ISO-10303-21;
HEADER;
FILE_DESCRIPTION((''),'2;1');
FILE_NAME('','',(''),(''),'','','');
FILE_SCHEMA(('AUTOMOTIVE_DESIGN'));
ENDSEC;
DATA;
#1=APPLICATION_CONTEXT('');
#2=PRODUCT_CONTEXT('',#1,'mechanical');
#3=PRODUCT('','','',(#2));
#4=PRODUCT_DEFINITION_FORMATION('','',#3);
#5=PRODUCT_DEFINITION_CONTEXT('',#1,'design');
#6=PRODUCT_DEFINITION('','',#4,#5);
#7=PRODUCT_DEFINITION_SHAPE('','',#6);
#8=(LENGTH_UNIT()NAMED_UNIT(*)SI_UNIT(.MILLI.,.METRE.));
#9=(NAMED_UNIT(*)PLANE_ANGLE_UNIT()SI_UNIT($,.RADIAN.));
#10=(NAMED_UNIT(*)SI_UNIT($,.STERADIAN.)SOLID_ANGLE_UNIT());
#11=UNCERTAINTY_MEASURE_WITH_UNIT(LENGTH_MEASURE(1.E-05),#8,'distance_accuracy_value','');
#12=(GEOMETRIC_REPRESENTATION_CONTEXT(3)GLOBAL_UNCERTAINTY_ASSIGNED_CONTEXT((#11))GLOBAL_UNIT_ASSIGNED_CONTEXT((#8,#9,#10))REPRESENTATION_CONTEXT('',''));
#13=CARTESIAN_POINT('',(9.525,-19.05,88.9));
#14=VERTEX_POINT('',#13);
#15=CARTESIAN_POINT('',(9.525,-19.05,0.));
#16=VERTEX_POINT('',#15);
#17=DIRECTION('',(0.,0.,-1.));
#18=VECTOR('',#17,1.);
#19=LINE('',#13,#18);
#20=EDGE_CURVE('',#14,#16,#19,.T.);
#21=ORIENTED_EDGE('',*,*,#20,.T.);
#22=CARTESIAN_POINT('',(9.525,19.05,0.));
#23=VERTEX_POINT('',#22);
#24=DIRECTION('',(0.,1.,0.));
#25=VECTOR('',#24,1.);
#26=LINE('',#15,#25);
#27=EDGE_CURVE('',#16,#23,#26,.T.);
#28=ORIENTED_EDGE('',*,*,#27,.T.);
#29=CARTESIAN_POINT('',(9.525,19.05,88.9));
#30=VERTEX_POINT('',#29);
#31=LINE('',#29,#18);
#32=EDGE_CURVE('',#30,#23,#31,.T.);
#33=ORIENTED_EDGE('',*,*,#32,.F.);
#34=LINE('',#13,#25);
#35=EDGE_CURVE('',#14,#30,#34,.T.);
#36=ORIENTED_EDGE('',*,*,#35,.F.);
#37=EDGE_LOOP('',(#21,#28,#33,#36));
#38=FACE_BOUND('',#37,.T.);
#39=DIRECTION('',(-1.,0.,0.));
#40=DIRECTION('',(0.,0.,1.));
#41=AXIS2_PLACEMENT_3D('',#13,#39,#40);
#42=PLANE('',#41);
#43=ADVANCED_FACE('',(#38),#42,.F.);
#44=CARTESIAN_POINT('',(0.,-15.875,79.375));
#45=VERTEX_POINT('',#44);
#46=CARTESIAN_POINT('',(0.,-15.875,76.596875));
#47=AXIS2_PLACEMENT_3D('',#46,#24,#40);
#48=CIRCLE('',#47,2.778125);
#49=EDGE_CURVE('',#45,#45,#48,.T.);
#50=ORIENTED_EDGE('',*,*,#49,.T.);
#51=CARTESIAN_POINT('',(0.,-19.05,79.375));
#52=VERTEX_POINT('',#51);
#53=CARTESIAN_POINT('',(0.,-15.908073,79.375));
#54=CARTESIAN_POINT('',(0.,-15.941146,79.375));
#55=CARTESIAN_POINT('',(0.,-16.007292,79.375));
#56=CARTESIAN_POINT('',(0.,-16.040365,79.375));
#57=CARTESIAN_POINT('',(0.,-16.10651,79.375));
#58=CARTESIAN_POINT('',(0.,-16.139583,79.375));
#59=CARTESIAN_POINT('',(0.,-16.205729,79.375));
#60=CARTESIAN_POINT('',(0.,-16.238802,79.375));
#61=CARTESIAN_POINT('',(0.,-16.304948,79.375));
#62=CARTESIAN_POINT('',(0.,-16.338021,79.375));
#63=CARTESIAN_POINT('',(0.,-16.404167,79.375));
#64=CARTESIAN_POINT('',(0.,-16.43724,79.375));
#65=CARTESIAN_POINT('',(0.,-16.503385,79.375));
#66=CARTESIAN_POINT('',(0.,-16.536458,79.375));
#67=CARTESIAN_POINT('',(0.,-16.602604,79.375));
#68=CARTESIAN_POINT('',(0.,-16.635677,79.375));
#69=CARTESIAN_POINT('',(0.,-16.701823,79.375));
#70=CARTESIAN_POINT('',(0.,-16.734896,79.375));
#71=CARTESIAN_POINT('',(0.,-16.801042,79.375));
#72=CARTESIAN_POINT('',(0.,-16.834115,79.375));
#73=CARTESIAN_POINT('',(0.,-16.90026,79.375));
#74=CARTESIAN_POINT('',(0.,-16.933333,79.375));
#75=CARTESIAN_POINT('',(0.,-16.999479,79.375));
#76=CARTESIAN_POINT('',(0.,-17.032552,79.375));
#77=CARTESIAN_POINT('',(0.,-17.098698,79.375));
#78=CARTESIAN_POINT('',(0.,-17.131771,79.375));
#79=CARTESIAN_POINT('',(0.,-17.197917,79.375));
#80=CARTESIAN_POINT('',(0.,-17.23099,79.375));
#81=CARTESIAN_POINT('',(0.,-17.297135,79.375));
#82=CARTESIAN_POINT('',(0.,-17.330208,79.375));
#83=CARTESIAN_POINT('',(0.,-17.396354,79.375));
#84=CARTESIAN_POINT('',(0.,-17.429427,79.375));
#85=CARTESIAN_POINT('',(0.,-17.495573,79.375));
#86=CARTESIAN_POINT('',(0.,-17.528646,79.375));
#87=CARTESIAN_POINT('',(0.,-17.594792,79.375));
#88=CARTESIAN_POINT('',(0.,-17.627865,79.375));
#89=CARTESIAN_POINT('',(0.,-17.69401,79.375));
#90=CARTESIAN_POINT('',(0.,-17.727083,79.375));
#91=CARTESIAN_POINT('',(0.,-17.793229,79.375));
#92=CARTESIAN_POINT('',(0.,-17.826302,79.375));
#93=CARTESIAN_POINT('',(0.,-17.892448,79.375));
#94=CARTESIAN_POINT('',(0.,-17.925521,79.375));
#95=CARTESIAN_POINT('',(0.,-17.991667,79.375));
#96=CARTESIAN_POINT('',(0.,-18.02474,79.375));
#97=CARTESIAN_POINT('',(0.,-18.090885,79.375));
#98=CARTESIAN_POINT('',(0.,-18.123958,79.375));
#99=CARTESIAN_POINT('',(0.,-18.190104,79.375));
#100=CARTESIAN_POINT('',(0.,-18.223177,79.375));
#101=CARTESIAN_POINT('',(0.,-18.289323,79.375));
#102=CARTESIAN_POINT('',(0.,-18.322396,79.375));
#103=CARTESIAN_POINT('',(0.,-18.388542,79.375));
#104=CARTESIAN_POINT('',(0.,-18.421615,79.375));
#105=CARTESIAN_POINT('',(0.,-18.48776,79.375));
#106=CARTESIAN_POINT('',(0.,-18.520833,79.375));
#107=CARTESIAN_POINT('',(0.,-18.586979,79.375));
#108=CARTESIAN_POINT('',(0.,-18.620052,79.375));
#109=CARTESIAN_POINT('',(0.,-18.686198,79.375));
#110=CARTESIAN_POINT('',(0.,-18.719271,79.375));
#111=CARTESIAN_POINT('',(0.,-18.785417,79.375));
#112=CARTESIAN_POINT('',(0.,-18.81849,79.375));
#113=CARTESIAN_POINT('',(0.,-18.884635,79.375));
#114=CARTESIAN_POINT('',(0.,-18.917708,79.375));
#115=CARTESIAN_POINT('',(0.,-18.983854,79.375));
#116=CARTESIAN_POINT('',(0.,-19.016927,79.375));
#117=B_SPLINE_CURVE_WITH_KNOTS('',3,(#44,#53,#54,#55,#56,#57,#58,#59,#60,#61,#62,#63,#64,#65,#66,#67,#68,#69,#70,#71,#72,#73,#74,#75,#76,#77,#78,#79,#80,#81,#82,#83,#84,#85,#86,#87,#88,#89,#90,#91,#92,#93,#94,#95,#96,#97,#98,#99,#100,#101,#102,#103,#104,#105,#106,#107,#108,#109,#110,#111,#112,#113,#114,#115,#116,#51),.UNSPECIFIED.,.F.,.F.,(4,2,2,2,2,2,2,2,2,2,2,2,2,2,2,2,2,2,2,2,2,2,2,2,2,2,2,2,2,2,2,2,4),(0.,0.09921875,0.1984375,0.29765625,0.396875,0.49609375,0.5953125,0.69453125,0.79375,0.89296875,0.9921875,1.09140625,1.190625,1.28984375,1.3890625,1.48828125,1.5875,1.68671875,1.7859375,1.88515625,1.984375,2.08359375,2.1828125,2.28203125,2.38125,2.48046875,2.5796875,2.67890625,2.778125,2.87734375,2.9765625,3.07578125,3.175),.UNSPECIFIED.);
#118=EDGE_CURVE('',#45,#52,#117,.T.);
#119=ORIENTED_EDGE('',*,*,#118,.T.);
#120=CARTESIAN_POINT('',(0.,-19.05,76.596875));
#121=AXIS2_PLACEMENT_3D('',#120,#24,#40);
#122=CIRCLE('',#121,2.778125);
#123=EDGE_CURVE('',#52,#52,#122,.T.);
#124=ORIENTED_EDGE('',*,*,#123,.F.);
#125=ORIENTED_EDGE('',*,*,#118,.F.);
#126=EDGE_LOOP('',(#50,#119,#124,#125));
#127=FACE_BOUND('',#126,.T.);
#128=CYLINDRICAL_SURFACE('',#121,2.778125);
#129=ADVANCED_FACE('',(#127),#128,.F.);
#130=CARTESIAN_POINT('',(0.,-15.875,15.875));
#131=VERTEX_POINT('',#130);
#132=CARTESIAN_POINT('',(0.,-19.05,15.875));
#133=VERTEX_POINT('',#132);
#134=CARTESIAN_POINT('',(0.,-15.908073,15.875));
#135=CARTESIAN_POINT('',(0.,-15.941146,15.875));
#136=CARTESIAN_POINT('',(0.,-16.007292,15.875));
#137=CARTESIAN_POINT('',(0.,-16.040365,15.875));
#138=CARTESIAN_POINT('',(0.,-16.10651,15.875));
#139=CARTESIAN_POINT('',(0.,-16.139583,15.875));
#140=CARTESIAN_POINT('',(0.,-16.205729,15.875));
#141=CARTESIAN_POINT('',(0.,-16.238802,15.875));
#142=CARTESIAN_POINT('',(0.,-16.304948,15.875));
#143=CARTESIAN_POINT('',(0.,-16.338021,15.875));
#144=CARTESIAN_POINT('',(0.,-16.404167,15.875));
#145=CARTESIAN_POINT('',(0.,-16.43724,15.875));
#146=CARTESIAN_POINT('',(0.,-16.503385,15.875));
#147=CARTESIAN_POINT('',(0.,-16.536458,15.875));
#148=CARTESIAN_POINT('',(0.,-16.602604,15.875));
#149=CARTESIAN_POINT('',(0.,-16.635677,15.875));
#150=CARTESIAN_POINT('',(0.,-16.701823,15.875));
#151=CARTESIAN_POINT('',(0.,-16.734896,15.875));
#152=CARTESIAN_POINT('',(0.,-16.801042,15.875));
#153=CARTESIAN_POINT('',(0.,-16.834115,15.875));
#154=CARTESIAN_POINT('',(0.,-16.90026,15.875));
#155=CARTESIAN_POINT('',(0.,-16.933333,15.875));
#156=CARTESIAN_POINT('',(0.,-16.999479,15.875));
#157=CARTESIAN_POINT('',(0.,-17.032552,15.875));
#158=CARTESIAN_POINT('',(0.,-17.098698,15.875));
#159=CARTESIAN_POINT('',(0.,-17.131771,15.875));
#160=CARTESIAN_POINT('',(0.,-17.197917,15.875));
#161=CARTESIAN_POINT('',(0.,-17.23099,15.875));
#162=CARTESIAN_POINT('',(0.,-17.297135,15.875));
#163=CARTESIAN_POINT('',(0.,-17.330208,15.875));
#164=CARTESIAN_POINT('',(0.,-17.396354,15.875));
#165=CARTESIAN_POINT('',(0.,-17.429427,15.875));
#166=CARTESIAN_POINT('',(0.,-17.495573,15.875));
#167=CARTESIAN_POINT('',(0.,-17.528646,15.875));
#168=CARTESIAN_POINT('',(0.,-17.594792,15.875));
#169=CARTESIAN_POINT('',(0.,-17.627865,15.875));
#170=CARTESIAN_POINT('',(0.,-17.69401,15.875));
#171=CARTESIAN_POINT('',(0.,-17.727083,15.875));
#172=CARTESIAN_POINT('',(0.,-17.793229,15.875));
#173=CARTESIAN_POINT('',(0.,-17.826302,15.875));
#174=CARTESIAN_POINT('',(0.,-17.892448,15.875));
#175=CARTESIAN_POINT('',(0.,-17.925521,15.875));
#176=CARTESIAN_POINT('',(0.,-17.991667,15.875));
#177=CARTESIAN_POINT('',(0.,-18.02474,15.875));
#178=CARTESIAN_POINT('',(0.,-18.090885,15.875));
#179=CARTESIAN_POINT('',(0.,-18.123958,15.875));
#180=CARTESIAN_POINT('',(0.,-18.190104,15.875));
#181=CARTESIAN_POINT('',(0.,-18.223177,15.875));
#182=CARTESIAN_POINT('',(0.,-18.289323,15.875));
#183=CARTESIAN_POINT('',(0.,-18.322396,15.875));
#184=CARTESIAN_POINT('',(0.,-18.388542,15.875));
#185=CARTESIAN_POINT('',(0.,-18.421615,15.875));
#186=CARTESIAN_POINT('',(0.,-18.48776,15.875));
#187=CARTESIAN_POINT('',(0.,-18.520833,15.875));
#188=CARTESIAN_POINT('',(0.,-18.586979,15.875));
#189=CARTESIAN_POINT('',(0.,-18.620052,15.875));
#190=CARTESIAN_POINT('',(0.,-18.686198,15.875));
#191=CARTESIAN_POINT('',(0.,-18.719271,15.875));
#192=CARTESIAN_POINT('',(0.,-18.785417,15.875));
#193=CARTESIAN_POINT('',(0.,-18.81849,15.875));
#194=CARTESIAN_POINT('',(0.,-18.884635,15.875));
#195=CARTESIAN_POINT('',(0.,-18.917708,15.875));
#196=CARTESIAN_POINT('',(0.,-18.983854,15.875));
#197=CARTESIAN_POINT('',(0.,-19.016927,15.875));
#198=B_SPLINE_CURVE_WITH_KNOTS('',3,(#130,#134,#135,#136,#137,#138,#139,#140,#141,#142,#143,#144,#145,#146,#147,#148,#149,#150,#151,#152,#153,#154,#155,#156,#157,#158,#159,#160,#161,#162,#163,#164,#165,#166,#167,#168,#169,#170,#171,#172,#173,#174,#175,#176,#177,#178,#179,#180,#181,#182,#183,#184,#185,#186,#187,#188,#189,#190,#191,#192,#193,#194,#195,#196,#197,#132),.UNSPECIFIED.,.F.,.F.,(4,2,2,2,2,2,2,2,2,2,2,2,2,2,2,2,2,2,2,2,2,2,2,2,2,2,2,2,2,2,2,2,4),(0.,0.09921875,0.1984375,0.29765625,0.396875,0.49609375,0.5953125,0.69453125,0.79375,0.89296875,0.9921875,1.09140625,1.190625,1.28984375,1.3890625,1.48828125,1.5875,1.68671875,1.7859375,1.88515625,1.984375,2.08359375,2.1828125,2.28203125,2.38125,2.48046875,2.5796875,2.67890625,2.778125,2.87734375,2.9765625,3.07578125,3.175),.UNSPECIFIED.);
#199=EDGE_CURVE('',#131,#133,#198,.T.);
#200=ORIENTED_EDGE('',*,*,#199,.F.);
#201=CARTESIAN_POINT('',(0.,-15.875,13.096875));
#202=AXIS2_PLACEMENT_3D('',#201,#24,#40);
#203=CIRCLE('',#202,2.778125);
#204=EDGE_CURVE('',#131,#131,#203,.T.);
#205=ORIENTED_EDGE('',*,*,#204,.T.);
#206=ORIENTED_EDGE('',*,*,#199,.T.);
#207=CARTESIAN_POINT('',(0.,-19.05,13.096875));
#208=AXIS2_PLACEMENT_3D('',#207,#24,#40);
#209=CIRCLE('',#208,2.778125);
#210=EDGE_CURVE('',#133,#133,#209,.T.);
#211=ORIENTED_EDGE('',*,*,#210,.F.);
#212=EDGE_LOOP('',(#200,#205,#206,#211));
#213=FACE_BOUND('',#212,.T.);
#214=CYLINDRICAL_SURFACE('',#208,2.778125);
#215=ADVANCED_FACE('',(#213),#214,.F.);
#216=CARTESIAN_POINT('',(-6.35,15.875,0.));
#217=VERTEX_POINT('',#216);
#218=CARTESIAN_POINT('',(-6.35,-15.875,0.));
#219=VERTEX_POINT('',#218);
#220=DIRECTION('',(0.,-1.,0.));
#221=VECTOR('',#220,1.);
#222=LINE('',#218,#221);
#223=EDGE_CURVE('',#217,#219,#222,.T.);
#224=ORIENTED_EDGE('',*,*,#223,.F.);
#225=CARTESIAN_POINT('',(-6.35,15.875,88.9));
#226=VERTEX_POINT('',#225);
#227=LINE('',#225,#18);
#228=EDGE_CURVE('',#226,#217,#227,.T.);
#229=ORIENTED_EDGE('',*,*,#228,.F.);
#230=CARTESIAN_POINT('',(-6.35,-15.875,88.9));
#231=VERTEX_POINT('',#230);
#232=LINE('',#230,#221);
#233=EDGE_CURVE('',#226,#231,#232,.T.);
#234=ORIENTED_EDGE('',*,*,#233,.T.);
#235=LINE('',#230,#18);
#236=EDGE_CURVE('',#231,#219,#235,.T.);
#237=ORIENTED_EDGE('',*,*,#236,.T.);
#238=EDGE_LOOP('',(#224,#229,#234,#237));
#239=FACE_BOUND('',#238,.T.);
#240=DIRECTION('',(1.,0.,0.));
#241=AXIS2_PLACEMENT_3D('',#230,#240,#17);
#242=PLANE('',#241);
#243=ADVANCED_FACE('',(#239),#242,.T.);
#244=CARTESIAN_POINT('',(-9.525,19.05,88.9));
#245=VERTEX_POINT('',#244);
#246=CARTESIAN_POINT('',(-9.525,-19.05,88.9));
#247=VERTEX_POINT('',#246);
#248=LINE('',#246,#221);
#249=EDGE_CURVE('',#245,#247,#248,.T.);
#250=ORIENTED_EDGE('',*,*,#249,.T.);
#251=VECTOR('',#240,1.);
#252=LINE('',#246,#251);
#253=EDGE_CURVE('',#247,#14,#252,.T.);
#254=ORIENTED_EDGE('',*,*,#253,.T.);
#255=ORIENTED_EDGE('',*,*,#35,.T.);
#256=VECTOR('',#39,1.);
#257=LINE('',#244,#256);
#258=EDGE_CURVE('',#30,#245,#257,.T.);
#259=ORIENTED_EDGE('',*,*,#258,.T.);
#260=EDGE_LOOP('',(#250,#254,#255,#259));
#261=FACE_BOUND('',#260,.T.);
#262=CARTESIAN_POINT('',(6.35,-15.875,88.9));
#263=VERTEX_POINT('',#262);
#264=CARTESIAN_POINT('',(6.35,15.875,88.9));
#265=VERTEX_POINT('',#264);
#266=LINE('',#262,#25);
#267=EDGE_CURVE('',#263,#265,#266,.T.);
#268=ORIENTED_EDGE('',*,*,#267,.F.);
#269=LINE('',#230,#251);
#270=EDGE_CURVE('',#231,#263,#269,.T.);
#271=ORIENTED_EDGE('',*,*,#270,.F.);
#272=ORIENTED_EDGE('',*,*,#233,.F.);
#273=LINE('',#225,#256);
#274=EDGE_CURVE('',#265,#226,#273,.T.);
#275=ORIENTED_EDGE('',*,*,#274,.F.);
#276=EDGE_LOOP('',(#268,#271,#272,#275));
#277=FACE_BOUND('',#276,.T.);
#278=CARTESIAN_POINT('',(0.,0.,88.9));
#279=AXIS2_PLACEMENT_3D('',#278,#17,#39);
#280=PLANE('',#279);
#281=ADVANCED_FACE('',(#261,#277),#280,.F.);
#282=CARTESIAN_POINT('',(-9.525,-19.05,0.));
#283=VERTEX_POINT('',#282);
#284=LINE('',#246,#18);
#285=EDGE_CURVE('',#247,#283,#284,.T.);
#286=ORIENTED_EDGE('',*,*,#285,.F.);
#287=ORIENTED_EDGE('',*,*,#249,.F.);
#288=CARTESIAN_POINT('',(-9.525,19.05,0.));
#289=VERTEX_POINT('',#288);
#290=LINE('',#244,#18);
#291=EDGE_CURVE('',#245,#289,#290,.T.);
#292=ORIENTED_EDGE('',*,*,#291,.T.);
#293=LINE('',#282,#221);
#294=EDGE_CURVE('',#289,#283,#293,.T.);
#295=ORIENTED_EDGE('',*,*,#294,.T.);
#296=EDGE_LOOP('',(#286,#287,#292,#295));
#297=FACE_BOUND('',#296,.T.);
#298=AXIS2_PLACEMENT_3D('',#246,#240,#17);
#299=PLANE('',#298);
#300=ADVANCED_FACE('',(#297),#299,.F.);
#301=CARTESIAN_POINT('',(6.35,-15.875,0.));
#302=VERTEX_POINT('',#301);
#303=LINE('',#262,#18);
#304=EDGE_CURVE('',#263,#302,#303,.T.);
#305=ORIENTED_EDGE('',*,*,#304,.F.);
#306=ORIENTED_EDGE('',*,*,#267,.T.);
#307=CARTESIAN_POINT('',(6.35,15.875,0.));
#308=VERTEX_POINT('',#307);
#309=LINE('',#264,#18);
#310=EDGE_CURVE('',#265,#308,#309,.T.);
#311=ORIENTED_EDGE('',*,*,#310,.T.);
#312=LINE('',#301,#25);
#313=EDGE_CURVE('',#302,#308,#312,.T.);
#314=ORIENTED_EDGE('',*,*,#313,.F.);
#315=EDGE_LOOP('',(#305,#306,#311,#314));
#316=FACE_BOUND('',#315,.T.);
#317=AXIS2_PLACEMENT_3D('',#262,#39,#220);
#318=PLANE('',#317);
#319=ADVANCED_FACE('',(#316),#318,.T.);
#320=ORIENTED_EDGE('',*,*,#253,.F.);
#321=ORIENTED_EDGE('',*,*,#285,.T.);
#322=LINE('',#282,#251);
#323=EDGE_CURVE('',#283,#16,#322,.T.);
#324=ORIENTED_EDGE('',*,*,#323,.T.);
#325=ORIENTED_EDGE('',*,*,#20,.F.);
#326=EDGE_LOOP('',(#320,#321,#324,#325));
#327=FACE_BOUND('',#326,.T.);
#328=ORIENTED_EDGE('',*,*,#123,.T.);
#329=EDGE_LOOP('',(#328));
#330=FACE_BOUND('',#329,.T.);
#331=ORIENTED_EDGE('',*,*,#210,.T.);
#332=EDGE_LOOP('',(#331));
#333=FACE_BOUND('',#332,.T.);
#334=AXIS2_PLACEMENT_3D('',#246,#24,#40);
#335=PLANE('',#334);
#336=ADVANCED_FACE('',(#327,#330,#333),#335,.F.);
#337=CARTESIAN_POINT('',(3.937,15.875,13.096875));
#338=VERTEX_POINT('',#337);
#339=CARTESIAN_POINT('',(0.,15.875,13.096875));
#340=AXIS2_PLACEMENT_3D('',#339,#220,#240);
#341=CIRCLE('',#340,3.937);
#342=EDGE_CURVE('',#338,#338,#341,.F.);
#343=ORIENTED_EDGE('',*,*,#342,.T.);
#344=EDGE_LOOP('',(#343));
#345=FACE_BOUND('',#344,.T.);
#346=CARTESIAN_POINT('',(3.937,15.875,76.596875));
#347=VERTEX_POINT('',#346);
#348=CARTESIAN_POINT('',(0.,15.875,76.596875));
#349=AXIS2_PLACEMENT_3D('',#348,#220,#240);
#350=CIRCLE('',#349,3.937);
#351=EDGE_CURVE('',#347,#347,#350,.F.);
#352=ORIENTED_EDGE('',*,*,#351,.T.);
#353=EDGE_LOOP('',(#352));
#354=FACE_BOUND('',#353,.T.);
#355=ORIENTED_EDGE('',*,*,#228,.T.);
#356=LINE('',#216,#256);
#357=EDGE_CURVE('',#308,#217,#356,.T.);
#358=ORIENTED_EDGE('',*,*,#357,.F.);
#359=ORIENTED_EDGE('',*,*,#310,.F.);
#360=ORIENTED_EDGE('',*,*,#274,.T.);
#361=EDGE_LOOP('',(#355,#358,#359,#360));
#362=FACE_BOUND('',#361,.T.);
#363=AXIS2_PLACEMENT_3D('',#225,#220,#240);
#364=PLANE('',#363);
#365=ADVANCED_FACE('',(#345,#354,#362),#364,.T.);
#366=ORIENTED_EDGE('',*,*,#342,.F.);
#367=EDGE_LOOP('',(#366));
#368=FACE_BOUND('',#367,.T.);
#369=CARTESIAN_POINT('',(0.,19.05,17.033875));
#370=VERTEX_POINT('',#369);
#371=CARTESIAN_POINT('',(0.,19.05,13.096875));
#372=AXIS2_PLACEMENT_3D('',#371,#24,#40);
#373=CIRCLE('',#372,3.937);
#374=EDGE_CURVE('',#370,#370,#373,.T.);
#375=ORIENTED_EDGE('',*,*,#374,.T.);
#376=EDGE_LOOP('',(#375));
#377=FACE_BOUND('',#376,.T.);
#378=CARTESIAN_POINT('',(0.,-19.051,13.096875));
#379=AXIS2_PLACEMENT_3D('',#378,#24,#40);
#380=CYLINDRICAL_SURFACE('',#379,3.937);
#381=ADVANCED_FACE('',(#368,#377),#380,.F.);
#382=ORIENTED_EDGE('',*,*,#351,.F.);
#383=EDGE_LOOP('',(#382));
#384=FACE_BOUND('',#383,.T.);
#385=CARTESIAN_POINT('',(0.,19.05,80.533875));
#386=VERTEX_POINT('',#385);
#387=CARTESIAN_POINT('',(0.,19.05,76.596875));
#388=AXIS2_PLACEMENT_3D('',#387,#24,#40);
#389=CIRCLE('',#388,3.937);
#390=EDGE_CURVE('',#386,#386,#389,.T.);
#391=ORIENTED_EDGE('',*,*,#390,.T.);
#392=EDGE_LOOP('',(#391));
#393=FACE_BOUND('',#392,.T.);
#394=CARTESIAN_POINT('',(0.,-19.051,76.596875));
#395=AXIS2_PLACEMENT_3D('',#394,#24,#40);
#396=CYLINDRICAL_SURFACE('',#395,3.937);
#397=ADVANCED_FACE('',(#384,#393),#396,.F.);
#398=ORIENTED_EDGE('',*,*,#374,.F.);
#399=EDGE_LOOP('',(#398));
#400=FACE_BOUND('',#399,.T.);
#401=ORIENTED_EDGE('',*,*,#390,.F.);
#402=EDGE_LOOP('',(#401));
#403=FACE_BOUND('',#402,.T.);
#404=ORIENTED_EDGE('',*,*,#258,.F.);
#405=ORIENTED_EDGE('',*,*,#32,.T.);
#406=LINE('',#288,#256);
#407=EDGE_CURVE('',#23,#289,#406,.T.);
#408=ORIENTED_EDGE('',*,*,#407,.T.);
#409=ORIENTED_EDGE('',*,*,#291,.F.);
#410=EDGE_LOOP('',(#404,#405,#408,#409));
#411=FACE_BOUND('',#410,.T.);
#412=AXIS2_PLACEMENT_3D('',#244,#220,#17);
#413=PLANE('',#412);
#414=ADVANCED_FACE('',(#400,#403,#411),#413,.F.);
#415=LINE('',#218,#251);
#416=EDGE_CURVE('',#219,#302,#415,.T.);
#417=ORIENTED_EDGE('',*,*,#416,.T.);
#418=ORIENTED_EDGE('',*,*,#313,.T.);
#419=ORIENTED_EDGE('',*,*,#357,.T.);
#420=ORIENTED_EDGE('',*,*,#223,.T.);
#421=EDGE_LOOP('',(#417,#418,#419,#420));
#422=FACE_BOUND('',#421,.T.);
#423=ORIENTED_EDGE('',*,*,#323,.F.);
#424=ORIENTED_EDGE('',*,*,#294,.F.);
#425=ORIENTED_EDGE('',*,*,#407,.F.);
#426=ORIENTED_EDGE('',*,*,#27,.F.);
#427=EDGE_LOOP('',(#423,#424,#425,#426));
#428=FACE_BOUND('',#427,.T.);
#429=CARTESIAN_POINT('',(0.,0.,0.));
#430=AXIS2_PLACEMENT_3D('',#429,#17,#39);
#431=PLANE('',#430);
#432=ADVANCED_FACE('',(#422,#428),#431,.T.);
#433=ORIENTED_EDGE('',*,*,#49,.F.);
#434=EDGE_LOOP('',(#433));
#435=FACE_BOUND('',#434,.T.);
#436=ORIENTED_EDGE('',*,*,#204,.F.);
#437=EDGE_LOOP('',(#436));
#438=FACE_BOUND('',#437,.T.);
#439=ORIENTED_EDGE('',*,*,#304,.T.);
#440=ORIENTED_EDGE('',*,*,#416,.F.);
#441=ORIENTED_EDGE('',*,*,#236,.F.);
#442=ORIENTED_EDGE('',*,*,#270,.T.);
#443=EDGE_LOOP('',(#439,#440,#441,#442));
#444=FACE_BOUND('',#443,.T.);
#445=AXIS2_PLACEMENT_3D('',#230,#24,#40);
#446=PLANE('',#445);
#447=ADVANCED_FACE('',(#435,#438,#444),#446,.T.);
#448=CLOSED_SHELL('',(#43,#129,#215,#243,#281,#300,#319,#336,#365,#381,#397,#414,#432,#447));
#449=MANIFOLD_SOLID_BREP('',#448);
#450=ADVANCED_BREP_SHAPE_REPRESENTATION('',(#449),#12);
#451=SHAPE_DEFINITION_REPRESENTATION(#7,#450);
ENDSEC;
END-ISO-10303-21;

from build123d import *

# Parameters (mm, degrees)
SKETCH1_W           = 19.05
SKETCH1_H           = 38.1
SKETCH1_W_2         = 12.7
SKETCH1_H_2         = 31.75
BOSS_EXTRUDE1_DEPTH = 88.9
SKETCH2_R           = 2.778125
CUT_EXTRUDE1_DEPTH  = 98.188196943
CUT_EXTRUDE2_REACH  = 99.188
SKETCH3_R           = 3.937


with BuildPart() as part:
    # Sketch1 → Boss-Extrude1 (new body)
    with BuildSketch(Plane.XY):
        Rectangle(SKETCH1_W, SKETCH1_H)
        Rectangle(SKETCH1_W_2, SKETCH1_H_2, mode=Mode.SUBTRACT)
    extrude(amount=BOSS_EXTRUDE1_DEPTH)

    # Sketch2 → Cut-Extrude1 (cut, through all)
    with BuildSketch(Plane(origin=(0, 19.05, 0), x_dir=(1, 0, 0), z_dir=(0, 1, 0))):
        with Locations(Location((0, -76.596875, 0), (0, 0, 270))):
            Circle(SKETCH2_R)
        with Locations(Location((0, -13.096875, 0), (0, 0, 270))):
            Circle(SKETCH2_R)
    extrude(amount=-CUT_EXTRUDE1_DEPTH, mode=Mode.SUBTRACT)

    # Sketch3 → Cut-Extrude2 (cut, up to next)
    with BuildSketch(Plane(origin=(0, 19.05, 0), x_dir=(1, 0, 0), z_dir=(0, 1, 0)), mode=Mode.PRIVATE) as cut_extrude2_sk1:
        with Locations(Location((0, -76.596875, 0), (0, 0, 270))):
            Circle(SKETCH3_R)
    cut_extrude2_tool1 = extrude(cut_extrude2_sk1.sketch, amount=-CUT_EXTRUDE2_REACH, mode=Mode.PRIVATE) & part.part
    # Sketch3 → Cut-Extrude2 (cut, up to next)
    with BuildSketch(Plane(origin=(0, 19.05, 0), x_dir=(1, 0, 0), z_dir=(0, 1, 0)), mode=Mode.PRIVATE) as cut_extrude2_sk2:
        with Locations(Location((0, -13.096875, 0), (0, 0, 270))):
            Circle(SKETCH3_R)
    cut_extrude2_tool2 = extrude(cut_extrude2_sk2.sketch, amount=-CUT_EXTRUDE2_REACH, mode=Mode.PRIVATE) & part.part
    add(cut_extrude2_tool1.solids().sort_by_distance((0, 19.05, 76.596875))[0], mode=Mode.SUBTRACT)
    add(cut_extrude2_tool2.solids().sort_by_distance((0, 19.05, 13.096875))[0], mode=Mode.SUBTRACT)


solid = part.part
